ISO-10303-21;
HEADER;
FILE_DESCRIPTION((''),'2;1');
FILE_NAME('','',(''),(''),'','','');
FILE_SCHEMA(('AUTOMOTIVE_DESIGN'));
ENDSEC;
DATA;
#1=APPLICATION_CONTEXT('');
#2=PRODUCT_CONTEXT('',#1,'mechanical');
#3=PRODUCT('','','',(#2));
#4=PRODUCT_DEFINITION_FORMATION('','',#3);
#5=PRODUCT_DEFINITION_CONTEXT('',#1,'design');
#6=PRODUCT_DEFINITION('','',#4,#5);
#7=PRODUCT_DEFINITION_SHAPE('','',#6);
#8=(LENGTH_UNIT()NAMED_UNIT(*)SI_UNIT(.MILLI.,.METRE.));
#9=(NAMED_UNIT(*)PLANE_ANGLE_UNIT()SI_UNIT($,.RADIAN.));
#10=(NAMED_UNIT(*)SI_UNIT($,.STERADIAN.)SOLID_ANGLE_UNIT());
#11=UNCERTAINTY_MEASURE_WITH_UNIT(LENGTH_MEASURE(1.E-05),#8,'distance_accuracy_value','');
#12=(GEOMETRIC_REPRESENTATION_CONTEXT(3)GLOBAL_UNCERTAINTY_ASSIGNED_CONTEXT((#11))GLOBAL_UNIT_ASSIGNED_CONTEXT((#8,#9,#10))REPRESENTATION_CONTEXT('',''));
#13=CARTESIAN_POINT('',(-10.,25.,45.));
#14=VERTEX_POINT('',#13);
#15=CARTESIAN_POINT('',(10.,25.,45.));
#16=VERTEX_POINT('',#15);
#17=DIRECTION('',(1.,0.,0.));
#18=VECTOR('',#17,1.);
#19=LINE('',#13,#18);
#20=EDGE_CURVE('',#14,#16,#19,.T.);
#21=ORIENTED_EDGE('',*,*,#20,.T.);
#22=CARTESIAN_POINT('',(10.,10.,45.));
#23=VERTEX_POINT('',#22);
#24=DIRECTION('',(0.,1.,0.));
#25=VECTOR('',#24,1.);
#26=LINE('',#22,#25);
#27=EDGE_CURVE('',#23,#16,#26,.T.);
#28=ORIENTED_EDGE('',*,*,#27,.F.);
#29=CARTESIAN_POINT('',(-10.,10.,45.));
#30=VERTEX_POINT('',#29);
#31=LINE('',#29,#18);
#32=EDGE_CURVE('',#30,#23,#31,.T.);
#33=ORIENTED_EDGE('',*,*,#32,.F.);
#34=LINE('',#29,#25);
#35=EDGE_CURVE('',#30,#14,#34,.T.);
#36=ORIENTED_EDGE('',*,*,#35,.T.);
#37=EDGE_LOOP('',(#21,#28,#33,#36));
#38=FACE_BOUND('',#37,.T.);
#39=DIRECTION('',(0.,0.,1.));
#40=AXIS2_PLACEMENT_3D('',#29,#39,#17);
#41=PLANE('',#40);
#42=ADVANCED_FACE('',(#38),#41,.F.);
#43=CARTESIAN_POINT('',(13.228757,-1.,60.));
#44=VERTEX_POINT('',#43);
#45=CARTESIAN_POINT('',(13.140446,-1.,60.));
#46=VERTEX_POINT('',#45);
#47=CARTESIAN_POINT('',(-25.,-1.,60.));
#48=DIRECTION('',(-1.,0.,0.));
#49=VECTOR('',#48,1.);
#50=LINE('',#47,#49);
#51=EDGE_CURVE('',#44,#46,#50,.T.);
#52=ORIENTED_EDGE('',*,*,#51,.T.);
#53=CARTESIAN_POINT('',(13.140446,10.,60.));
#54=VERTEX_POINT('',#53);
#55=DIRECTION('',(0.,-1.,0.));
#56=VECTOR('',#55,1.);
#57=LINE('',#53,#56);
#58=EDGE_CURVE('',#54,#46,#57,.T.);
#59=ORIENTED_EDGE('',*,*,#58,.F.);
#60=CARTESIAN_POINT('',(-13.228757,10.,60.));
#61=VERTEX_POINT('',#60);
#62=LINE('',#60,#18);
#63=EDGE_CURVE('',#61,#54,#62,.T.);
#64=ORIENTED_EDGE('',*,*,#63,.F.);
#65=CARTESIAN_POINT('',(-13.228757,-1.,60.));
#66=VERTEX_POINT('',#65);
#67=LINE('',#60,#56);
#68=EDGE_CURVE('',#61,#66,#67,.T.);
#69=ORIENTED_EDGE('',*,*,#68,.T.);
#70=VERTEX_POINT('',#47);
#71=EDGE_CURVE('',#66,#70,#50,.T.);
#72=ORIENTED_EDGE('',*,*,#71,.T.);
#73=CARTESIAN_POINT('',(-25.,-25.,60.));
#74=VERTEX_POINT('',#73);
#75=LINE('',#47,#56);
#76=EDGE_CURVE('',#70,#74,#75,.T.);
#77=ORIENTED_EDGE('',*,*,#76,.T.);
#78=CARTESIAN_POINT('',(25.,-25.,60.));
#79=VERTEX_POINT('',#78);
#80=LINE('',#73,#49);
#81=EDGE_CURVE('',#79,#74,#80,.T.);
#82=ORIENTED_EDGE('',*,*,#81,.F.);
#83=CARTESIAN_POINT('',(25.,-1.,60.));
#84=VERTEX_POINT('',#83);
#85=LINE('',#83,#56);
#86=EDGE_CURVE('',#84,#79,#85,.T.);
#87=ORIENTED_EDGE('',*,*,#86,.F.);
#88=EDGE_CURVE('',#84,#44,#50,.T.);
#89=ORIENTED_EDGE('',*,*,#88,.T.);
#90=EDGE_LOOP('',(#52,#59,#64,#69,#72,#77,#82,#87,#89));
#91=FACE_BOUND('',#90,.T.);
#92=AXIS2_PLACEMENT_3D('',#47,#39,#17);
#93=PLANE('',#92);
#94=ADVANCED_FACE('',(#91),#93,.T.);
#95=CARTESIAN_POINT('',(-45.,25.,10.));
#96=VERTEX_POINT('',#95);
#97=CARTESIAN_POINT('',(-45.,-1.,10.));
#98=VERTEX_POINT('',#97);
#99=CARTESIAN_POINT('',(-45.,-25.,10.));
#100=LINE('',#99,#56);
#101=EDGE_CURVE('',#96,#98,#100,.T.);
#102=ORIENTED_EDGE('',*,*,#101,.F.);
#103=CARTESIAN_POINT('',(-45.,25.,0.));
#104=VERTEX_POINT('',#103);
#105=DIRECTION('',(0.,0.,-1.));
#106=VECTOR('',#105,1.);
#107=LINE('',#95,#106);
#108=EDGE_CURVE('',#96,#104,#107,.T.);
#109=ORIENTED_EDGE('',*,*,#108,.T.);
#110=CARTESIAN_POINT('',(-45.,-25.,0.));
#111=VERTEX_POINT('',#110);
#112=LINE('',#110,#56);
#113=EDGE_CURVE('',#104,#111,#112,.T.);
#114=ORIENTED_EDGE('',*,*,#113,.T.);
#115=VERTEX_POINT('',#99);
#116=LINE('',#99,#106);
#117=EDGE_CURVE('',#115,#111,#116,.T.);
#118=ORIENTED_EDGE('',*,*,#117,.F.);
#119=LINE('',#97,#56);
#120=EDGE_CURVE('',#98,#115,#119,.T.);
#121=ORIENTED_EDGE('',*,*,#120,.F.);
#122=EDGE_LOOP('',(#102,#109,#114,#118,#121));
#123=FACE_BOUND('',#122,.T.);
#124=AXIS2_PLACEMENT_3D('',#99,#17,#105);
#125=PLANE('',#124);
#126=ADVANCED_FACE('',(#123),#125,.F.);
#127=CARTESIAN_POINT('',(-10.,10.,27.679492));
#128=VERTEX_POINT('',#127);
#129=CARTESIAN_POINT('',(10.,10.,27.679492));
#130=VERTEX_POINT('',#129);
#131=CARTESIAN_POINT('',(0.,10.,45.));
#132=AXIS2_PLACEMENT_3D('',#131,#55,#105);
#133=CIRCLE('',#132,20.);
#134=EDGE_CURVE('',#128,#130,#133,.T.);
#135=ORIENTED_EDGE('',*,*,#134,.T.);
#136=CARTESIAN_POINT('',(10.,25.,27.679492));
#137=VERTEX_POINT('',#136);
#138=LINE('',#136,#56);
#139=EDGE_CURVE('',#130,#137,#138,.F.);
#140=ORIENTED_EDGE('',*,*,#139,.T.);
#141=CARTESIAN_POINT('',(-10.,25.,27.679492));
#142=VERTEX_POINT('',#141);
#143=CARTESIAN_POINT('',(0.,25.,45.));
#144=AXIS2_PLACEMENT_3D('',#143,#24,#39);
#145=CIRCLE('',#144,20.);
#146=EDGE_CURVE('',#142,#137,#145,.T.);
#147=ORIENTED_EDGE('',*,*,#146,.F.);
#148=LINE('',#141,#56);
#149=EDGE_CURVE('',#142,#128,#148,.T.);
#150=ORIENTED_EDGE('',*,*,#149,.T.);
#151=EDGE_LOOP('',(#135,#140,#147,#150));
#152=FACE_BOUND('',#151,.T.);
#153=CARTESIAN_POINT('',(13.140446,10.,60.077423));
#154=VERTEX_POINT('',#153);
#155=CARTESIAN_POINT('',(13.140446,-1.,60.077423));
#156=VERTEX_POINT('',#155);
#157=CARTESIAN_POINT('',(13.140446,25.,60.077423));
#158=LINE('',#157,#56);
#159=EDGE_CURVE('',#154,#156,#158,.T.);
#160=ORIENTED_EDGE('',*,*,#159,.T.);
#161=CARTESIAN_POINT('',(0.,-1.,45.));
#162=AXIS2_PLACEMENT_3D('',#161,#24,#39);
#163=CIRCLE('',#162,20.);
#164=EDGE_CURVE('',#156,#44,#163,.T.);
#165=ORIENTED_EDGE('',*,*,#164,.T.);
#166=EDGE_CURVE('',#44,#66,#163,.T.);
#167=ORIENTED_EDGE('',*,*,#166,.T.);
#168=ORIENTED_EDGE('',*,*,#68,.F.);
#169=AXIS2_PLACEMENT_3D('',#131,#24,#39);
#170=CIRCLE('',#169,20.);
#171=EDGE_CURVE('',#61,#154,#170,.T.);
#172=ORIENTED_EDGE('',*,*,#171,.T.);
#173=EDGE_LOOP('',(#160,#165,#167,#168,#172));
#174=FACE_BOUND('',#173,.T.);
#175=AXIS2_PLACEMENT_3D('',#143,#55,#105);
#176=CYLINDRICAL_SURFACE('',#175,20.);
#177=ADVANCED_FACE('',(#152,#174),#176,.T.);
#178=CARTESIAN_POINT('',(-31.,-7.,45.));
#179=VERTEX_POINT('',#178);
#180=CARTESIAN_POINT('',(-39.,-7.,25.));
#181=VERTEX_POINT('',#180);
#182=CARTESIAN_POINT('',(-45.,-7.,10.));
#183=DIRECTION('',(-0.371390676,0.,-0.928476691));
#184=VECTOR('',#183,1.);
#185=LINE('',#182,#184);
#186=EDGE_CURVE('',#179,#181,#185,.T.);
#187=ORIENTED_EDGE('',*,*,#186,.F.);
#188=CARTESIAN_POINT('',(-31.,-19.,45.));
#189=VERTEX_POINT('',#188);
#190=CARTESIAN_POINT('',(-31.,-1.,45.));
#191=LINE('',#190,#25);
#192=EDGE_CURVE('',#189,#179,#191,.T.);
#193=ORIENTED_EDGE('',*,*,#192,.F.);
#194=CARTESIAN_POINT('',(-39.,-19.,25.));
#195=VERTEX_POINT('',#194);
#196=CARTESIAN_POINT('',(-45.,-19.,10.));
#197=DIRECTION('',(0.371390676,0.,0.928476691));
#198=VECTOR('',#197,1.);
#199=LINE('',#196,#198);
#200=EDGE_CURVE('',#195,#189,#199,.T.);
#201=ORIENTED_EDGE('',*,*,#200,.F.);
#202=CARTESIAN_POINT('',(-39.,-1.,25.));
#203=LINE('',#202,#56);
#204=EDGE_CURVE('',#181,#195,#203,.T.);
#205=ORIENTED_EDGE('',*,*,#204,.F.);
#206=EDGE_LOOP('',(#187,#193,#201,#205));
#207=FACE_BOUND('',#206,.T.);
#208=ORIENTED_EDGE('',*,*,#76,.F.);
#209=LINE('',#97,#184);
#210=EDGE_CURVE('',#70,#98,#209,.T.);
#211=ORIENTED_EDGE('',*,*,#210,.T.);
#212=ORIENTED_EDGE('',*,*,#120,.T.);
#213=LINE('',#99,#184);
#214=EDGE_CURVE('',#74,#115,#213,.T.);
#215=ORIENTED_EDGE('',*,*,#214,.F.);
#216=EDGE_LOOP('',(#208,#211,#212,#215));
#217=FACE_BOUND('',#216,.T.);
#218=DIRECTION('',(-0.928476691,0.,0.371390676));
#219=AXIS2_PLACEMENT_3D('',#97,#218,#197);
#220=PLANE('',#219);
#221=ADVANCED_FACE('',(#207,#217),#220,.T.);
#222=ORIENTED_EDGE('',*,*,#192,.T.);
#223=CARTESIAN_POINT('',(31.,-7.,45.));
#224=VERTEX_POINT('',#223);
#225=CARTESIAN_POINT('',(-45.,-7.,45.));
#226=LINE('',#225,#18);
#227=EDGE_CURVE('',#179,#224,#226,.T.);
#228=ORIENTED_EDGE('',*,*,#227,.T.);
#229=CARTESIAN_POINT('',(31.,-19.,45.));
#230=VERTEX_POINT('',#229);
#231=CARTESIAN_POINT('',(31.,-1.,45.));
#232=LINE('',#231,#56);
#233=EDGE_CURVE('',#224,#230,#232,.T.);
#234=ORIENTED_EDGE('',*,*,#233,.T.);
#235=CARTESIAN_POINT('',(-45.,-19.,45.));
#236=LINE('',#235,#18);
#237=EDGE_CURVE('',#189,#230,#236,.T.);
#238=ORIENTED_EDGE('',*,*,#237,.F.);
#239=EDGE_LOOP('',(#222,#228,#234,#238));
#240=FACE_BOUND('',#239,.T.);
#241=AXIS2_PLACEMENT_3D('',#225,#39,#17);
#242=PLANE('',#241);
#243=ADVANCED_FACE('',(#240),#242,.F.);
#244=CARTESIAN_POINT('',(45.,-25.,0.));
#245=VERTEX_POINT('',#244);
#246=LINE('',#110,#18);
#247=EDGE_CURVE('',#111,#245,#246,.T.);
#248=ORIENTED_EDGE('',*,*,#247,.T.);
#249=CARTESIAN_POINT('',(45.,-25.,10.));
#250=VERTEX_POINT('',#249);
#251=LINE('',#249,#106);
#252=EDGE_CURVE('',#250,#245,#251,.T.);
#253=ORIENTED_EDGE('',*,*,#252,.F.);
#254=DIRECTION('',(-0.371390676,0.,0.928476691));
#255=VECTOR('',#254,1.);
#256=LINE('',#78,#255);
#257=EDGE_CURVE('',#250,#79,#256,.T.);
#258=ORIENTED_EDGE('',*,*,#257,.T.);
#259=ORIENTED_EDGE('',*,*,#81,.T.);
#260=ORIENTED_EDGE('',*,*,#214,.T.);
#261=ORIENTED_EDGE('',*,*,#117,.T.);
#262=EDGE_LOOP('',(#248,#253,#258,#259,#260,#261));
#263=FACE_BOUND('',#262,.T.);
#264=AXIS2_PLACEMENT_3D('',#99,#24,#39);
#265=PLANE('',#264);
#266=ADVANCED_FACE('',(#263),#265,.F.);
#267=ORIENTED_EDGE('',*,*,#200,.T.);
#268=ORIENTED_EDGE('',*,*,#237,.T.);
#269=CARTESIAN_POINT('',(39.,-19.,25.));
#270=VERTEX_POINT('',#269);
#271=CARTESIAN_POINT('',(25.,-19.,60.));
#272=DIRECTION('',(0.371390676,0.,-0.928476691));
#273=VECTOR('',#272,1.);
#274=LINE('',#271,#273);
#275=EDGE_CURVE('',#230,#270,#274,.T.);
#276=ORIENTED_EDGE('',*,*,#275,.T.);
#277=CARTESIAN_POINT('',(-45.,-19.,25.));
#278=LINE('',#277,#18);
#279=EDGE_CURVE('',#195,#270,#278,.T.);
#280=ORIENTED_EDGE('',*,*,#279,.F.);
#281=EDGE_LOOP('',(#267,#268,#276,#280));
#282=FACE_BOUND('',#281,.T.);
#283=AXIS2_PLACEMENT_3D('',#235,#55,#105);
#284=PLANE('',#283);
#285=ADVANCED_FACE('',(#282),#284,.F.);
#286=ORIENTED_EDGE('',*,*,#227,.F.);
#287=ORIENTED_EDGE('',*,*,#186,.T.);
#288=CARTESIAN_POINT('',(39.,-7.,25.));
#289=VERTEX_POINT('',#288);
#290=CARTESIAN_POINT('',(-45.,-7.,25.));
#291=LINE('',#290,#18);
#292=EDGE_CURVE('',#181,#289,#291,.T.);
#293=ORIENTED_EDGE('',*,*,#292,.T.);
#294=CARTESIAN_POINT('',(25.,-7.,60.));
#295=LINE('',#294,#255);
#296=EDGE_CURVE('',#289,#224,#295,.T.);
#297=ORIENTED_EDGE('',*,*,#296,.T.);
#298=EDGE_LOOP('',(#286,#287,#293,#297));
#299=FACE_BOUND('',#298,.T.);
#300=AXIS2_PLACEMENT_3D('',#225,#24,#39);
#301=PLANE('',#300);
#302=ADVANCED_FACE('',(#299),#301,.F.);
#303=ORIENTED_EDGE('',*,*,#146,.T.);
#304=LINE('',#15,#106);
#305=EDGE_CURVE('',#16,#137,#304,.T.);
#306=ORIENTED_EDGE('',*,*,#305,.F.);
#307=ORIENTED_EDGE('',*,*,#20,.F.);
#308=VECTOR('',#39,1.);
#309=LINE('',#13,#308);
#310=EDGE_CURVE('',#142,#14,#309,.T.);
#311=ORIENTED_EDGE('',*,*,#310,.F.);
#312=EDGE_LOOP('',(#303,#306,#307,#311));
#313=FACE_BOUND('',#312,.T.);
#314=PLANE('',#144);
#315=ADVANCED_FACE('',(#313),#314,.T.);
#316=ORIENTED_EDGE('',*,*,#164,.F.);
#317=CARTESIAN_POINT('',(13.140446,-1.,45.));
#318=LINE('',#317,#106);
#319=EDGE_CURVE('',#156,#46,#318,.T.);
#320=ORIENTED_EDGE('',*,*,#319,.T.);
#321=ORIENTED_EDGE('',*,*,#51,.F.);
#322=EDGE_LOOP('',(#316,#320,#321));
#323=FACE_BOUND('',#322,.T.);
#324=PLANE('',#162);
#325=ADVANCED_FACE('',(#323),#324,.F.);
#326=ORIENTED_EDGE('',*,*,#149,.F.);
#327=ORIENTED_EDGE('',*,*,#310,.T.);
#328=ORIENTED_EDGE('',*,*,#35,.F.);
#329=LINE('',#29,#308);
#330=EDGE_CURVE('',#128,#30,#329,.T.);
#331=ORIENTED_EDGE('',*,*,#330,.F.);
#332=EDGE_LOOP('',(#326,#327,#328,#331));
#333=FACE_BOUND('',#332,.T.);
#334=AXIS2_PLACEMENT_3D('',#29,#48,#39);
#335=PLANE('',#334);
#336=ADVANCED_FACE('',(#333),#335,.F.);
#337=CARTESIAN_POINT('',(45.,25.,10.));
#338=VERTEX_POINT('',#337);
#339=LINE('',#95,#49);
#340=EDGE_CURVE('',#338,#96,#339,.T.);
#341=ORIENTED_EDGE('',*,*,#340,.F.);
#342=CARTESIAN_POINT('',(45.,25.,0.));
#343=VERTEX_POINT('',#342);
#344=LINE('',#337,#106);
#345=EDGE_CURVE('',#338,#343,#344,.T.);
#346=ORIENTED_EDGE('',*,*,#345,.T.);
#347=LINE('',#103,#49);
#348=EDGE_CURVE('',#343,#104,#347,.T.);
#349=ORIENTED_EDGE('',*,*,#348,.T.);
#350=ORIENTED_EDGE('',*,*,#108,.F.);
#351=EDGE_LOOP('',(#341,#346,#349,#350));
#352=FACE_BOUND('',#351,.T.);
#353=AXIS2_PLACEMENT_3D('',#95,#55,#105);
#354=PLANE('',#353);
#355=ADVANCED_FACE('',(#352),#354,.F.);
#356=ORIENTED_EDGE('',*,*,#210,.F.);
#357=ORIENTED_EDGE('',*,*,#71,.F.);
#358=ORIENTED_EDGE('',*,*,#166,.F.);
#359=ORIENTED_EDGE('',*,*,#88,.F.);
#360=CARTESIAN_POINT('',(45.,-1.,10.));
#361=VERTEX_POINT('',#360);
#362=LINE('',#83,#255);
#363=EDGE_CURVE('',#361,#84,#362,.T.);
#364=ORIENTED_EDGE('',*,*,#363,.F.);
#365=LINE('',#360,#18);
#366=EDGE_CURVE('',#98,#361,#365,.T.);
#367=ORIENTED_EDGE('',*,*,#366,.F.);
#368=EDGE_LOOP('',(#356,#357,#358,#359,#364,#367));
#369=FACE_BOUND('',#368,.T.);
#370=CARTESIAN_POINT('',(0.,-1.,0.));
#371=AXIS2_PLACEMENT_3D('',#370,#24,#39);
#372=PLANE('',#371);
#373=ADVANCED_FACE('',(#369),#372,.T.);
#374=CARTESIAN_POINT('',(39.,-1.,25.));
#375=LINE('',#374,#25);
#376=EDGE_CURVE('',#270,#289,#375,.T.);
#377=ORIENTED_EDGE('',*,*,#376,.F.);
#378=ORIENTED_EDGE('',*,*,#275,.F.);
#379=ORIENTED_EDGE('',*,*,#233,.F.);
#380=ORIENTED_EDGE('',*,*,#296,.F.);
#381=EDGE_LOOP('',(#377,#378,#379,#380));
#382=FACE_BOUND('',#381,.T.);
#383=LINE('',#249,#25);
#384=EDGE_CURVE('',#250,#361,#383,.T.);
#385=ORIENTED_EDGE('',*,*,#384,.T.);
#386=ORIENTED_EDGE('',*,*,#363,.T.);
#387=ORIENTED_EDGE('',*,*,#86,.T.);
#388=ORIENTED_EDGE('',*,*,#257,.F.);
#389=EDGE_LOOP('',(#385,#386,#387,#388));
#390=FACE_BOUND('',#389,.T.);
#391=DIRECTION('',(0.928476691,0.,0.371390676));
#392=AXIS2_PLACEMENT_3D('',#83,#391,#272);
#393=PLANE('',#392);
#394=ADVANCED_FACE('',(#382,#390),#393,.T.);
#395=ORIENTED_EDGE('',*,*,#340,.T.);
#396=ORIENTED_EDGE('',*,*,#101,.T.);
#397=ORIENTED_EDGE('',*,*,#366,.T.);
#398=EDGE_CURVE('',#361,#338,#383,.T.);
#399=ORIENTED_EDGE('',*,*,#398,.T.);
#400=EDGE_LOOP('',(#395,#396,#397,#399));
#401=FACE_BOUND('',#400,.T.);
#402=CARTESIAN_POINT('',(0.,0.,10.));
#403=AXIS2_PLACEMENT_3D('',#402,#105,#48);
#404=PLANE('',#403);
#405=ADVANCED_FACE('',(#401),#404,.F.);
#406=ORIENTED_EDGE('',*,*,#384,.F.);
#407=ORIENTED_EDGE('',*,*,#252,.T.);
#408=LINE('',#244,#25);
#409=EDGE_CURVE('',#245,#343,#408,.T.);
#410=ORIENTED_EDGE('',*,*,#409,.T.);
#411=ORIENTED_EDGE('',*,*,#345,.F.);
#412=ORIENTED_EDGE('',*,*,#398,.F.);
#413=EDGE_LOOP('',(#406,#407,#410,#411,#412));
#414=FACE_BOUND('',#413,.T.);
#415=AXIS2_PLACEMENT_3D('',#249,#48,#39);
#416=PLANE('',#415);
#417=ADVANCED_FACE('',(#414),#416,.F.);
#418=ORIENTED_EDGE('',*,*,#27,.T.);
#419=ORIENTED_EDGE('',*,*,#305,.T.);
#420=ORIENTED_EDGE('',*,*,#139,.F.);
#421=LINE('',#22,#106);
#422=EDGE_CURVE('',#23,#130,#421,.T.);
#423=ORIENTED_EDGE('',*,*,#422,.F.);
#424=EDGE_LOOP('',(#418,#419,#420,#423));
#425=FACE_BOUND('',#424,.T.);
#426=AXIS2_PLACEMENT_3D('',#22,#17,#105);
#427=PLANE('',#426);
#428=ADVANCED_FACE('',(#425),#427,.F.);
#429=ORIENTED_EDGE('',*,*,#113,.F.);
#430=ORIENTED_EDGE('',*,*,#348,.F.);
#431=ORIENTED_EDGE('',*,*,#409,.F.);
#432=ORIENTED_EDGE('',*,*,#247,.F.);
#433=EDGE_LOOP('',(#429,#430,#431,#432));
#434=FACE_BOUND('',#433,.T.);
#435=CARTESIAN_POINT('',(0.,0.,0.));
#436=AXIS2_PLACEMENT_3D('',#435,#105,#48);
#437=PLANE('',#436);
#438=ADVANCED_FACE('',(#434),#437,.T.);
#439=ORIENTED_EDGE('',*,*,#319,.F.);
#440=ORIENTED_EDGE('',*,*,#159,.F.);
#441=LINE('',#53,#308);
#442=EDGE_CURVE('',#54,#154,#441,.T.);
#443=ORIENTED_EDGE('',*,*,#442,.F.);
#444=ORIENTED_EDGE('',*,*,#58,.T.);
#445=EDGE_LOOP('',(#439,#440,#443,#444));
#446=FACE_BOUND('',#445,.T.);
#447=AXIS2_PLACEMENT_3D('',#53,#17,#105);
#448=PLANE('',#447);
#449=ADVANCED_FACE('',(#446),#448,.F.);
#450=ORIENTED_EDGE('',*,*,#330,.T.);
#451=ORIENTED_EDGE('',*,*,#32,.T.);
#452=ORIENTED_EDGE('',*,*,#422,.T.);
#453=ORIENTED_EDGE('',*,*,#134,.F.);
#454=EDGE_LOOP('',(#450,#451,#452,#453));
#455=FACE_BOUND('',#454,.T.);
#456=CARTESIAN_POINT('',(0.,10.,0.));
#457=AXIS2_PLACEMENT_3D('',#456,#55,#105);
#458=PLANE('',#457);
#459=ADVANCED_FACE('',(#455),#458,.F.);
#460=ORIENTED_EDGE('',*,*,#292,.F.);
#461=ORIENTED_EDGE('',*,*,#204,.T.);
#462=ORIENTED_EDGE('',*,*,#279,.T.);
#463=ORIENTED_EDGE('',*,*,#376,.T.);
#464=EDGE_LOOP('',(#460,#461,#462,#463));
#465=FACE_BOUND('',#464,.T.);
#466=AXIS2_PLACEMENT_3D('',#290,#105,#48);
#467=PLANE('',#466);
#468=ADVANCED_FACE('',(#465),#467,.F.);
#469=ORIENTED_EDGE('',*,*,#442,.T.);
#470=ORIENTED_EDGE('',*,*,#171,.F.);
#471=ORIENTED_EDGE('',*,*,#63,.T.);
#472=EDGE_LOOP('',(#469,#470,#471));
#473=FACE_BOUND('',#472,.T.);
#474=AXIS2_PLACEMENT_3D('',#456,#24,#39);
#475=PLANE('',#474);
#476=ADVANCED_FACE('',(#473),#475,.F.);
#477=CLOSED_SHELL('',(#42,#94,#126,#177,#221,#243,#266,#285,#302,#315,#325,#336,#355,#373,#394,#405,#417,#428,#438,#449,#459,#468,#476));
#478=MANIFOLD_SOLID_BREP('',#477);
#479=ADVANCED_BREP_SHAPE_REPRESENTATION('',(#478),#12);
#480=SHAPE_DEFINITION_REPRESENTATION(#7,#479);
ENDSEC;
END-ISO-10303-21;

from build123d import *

# Parameters (mm, degrees)
SKETCH3_W           = 90
SKETCH3_H           = 50
BOSS_EXTRUDE1_DEPTH = 10
BOSS_EXTRUDE2_DEPTH = 24
SKETCH5_R           = 20
BOSS_EXTRUDE3_DEPTH = 26
SKETCH6_W           = 20
SKETCH6_H           = 27.110350909
CUT_EXTRUDE1_DEPTH  = 15
SKETCH7_W           = 26.369202788
SKETCH7_H           = 10.718734527
CUT_EXTRUDE2_DEPTH  = 35
SKETCH9_W           = 20
SKETCH9_H           = 12
CUT_EXTRUDE3_DEPTH  = 114.798066767


with BuildPart() as part:
    # Sketch3 → Boss-Extrude1 (new body)
    with BuildSketch(Plane.XY):
        Rectangle(SKETCH3_W, SKETCH3_H)
    extrude(amount=BOSS_EXTRUDE1_DEPTH)

    # Sketch4 → Boss-Extrude2 (add)
    with BuildSketch(Plane.XZ.offset(25)):
        Polygon((45, 10), (-45, 10), (-25, 60), (25, 60), align=None)
    extrude(amount=-BOSS_EXTRUDE2_DEPTH)

    # Sketch5 → Boss-Extrude3 (add)
    with BuildSketch(Plane(origin=(0, -1, 0), x_dir=(1, 0, 0), z_dir=(0, 1, 0))):
        with Locations(Location((0, -45, 0), (0, 0, 311.409622109))):
            Circle(SKETCH5_R)
    extrude(amount=BOSS_EXTRUDE3_DEPTH)

    # Sketch6 → Cut-Extrude1 (cut)
    with BuildSketch(Plane(origin=(0, 25, 0), x_dir=(1, 0, 0), z_dir=(0, 1, 0))):
        with Locations((0, -31.444824546)):
            Rectangle(SKETCH6_W, SKETCH6_H)
    extrude(amount=-CUT_EXTRUDE1_DEPTH, mode=Mode.SUBTRACT)

    # Sketch7 → Cut-Extrude2 (cut)
    with BuildSketch(Plane.XZ.offset(25)):
        with Locations((-0.044155161, 65.359367264)):
            Rectangle(SKETCH7_W, SKETCH7_H)
    extrude(amount=-CUT_EXTRUDE2_DEPTH, mode=Mode.SUBTRACT)

    # Sketch9 → Cut-Extrude3 (cut, through all)
    with BuildSketch(Plane(origin=(45, 0, 0), x_dir=(0, 0, -1), z_dir=(1, 0, 0))):
        with Locations((-35, -13)):
            Rectangle(SKETCH9_W, SKETCH9_H)
    extrude(amount=-CUT_EXTRUDE3_DEPTH, mode=Mode.SUBTRACT)


solid = part.part
